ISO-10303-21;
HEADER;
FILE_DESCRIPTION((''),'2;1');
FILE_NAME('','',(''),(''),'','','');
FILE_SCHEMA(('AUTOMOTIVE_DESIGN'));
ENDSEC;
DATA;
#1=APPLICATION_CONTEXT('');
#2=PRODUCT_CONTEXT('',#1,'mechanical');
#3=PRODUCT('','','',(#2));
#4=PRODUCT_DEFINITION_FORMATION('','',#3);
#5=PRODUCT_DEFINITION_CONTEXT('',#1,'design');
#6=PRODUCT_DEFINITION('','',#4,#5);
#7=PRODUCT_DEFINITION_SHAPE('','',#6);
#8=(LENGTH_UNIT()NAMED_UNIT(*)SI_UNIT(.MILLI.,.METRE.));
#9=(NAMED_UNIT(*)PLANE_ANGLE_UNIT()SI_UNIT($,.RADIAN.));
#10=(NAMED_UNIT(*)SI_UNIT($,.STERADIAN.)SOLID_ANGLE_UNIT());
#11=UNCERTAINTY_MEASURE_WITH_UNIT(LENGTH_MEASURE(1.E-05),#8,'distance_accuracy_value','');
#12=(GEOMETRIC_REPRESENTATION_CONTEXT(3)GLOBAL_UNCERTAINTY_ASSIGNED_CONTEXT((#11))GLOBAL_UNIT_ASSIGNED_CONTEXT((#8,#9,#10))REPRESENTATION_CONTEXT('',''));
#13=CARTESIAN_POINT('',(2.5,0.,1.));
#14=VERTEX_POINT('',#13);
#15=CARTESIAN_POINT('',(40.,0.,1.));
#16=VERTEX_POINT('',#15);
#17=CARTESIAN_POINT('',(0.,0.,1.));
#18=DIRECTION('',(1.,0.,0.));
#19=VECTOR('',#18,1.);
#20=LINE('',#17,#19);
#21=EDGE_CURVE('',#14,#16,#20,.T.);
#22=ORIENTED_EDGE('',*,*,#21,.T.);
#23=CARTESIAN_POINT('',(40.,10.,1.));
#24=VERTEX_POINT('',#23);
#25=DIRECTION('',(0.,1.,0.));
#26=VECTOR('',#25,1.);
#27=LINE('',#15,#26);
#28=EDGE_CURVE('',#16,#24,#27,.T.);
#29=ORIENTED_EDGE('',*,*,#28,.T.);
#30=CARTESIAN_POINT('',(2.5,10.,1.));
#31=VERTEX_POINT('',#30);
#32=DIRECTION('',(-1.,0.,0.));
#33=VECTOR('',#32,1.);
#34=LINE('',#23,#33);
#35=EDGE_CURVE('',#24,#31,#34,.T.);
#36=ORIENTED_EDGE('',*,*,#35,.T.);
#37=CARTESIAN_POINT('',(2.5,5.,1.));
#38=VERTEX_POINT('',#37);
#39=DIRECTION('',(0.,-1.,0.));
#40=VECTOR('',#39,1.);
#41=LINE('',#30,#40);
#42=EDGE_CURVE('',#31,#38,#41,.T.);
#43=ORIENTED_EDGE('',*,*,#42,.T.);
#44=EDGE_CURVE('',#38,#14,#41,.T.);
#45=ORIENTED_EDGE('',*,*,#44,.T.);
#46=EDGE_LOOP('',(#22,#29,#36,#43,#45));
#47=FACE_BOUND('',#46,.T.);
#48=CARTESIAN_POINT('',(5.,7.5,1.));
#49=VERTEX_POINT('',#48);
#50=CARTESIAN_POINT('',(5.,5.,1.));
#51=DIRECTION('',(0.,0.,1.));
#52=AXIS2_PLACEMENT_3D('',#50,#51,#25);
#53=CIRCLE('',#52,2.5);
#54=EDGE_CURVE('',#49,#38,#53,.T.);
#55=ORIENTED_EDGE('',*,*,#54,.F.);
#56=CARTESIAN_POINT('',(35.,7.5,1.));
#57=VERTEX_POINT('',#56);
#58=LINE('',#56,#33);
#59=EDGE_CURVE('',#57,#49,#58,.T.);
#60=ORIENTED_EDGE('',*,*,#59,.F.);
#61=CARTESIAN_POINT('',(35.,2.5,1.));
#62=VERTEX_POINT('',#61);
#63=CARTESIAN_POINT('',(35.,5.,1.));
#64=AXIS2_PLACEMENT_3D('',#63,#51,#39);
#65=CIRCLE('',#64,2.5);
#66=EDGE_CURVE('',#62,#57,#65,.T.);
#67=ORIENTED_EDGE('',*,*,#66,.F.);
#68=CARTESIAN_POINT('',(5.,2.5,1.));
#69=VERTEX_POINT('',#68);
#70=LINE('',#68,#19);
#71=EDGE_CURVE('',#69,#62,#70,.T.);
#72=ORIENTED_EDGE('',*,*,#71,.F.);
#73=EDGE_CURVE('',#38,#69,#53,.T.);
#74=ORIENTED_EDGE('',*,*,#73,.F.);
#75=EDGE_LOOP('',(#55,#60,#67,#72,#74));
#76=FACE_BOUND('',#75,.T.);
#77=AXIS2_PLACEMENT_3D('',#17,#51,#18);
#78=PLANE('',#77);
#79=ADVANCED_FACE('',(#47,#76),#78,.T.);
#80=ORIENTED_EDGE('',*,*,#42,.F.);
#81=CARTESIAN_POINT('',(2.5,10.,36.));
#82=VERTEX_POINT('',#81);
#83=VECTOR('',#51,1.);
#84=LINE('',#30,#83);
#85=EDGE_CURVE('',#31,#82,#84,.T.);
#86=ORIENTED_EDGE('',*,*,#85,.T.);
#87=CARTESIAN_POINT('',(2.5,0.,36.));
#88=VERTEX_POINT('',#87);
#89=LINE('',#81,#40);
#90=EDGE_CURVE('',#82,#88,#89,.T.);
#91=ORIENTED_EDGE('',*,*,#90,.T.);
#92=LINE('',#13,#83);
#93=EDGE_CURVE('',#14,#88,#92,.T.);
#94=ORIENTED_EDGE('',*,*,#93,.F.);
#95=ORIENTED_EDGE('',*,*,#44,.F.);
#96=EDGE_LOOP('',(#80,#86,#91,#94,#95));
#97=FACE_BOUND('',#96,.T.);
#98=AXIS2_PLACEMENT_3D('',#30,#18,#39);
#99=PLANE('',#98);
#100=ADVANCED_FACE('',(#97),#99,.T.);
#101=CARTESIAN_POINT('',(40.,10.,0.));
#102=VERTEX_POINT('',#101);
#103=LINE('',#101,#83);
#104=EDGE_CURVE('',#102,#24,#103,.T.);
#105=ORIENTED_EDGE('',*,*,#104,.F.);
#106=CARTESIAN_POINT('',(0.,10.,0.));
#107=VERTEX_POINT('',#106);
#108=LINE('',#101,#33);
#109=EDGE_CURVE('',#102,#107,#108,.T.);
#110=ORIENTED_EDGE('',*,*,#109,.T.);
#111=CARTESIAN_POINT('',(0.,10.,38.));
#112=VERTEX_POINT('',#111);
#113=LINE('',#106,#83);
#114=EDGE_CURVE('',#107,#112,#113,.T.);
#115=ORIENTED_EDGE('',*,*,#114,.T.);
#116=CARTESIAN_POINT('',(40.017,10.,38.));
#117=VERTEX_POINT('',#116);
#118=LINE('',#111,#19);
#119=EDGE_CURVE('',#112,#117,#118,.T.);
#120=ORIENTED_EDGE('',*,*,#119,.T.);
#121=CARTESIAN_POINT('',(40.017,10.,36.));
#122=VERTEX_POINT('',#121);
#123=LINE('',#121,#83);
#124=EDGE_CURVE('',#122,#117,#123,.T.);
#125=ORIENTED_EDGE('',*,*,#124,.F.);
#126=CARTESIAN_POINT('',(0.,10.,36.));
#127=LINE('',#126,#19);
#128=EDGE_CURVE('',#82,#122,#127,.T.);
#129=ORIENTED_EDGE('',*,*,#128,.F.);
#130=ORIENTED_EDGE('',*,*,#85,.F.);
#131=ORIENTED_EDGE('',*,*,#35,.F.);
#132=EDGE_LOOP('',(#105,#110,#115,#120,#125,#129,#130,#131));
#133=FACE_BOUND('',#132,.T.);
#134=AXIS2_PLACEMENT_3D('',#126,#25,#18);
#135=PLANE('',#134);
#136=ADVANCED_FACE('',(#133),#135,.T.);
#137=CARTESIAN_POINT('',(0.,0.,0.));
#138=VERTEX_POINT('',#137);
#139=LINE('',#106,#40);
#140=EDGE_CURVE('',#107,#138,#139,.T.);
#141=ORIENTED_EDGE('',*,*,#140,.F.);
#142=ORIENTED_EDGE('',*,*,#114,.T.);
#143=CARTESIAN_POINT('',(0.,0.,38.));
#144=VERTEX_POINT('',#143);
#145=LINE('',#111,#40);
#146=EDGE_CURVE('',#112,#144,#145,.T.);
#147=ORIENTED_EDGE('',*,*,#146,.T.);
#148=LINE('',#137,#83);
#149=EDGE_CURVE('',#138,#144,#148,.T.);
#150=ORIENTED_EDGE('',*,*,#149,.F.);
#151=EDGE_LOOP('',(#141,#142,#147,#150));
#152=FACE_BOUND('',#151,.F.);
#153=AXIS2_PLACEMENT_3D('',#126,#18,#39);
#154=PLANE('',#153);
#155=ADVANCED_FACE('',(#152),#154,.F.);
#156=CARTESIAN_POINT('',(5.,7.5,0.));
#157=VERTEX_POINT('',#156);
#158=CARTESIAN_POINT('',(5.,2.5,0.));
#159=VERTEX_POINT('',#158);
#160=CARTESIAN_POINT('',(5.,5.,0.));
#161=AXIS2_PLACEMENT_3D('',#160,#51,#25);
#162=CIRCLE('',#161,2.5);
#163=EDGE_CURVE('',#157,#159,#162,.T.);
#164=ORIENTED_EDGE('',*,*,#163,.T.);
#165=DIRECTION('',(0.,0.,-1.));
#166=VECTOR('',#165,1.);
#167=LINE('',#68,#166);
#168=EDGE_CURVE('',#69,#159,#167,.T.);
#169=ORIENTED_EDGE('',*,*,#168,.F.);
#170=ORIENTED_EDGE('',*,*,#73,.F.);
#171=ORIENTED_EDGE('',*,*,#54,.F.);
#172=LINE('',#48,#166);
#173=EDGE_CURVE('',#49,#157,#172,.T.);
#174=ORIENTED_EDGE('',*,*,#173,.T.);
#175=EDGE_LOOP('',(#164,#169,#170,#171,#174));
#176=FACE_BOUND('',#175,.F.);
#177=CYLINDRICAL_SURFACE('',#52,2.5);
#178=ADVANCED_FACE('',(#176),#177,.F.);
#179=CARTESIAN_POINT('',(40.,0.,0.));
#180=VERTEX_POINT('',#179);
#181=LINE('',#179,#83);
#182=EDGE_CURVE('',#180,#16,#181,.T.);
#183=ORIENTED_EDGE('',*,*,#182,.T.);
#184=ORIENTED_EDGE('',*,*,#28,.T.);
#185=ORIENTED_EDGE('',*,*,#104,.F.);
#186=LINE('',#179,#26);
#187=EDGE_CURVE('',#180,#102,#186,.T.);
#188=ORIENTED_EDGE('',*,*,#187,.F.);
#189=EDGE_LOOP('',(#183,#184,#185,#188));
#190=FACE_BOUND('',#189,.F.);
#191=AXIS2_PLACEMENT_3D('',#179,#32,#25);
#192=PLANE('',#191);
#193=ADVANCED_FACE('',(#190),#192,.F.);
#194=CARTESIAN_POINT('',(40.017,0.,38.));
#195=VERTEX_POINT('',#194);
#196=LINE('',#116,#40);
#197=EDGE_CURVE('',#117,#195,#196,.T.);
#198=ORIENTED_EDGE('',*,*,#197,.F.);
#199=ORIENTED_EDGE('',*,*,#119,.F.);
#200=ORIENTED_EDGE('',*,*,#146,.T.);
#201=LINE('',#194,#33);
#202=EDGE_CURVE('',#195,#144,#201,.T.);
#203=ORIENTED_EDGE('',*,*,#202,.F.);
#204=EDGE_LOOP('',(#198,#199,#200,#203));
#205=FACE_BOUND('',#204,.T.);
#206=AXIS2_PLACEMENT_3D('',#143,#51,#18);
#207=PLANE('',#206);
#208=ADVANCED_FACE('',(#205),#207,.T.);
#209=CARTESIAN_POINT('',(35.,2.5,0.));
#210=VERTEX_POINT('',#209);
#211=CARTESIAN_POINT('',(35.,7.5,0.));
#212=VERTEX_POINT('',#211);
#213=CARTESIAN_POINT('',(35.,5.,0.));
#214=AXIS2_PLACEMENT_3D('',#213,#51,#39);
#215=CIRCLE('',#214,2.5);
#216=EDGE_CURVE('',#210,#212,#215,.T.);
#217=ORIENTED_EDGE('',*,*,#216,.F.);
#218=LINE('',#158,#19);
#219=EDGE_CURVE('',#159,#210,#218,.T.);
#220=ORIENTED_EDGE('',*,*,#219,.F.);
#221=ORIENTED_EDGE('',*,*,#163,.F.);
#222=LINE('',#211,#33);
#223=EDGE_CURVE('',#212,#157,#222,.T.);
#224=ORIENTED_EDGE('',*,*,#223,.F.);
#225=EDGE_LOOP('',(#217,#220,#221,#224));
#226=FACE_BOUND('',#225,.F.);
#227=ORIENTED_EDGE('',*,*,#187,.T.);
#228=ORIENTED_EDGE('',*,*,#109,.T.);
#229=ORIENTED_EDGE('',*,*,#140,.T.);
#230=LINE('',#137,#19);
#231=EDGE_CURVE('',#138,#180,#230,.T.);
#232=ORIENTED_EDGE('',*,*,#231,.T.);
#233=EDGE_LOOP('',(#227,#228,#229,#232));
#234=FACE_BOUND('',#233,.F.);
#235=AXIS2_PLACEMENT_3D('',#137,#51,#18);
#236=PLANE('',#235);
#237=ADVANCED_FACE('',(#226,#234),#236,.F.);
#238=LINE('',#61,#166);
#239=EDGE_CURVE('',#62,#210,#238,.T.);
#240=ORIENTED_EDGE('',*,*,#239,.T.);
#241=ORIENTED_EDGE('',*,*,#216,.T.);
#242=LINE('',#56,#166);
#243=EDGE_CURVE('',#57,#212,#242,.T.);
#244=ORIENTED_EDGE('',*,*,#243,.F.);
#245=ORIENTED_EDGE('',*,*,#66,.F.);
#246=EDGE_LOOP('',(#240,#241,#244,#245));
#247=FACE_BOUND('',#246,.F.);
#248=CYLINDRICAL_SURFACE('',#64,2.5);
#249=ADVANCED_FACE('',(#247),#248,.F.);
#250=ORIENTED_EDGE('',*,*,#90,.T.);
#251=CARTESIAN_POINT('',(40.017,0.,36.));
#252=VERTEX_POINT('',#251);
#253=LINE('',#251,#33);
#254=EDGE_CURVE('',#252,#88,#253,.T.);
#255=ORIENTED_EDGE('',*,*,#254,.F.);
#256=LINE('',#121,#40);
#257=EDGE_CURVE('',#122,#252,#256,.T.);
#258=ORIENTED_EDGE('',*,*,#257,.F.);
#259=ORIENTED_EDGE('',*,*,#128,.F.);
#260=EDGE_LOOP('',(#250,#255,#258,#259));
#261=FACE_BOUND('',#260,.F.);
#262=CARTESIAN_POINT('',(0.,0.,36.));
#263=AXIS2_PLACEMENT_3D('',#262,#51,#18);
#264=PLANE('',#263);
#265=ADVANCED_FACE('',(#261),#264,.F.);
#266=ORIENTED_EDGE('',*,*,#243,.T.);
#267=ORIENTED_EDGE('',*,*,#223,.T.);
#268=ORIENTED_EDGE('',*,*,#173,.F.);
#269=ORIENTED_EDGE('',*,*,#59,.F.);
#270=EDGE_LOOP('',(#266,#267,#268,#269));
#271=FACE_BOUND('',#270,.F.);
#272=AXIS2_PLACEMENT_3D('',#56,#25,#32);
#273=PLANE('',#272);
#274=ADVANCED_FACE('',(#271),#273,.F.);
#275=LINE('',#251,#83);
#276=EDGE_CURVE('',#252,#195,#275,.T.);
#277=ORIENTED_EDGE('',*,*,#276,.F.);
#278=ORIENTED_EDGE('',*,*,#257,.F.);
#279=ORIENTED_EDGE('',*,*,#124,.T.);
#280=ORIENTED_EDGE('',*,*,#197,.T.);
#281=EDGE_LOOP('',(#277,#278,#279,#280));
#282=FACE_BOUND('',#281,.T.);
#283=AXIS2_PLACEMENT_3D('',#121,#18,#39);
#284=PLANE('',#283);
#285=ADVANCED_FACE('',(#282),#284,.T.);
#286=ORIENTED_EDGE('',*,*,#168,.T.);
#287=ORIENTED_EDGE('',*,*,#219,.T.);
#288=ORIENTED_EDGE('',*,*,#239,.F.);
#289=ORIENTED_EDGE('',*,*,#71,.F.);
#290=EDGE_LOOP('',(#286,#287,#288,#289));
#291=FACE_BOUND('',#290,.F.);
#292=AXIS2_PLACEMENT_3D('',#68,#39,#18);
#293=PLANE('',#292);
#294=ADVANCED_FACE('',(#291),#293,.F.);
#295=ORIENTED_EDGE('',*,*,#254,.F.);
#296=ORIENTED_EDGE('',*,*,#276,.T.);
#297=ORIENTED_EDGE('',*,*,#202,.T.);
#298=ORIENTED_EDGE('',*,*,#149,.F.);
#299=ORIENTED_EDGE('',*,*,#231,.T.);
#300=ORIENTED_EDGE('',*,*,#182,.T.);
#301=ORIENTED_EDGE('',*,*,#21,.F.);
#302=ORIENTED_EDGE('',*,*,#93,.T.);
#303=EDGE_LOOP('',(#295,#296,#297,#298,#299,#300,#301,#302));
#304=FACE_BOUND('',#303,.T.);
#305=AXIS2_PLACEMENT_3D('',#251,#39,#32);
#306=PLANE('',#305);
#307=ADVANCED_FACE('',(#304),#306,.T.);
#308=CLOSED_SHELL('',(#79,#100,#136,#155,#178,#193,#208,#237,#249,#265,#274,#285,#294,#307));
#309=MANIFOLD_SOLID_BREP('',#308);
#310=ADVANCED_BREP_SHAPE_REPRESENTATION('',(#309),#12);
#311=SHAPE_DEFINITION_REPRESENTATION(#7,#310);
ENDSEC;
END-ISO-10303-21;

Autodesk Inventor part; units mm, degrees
ref_plane "YZ Plane" through (0, 0, 0) normal (1, 0, 0) x (0, 1, 0)
ref_plane "XZ Plane" through (0, 0, 0) normal (0, 1, 0) x (-1, 0, 0)
ref_plane "XY Plane" through (0, 0, 0) normal (0, 0, 1) x (1, 0, 0)
sketch "Esboço1" plane through (0, 0, 0) normal (0, 0, 1) x (1, 0, 0)
  line L0 (0, 0) -> (40, 0)
  line L1 (40, 0) -> (40, 10)
  line L2 (40, 10) -> (0, 10)
  line L3 (0, 10) -> (0, 0)
  dimension "d0" = 40
  dimension "d1" = 10
extrude "Extrusão1" add sketch "Esboço1" along normal blind 1
sketch "Esboço2" plane through (0, 0, 1) normal (0, 0, 1) x (1, 0, 0)
  line L0 (5, 5) -> (35, 5) construction
  line L1 (5, 2.5) -> (35, 2.5)
  line L2 (35, 7.5) -> (5, 7.5)
  arc A0 (5, 7.5) -> (5, 2.5) centre (5, 5) ccw
  arc A1 (35, 2.5) -> (35, 7.5) centre (35, 5) ccw
  point P0 (0, 0)
  point P1 (20, 5)
  dimension "d4" = 30
  dimension "d5" = 5
extrude "Extrusão2" cut sketch "Esboço2" against normal blind 1
sketch "Esboço3" plane through (0, 0, 1) normal (0, 0, 1) x (1, 0, 0)
  line L0 (40, 10) -> (0, 10) projected
  line L1 (0, 0) -> (40, 0) projected
  line L2 (0, 10) -> (2.5, 10)
  line L3 (2.5, 10) -> (2.5, 0)
  line L4 (2.5, 0) -> (0, 0)
  line L5 (0, 0) -> (0, 10)
  dimension "d8" = 2.5
extrude "Extrusão3" add sketch "Esboço3" along normal blind 35
sketch "Esboço4" plane through (0, 0, 36) normal (0, 0, 1) x (1, 0, 0)
  line L0 (0, 10) -> (0, 0) projected
  line L1 (0, 10) -> (40.017, 10)
  line L2 (40.017, 10) -> (40.017, 0)
  line L3 (40.017, 0) -> (0, 0)
  line L4 (0, 0) -> (0, 10)
extrude "Extrusão4" add sketch "Esboço4" along normal blind 2
properties part number "Suporte prensas coletor"
